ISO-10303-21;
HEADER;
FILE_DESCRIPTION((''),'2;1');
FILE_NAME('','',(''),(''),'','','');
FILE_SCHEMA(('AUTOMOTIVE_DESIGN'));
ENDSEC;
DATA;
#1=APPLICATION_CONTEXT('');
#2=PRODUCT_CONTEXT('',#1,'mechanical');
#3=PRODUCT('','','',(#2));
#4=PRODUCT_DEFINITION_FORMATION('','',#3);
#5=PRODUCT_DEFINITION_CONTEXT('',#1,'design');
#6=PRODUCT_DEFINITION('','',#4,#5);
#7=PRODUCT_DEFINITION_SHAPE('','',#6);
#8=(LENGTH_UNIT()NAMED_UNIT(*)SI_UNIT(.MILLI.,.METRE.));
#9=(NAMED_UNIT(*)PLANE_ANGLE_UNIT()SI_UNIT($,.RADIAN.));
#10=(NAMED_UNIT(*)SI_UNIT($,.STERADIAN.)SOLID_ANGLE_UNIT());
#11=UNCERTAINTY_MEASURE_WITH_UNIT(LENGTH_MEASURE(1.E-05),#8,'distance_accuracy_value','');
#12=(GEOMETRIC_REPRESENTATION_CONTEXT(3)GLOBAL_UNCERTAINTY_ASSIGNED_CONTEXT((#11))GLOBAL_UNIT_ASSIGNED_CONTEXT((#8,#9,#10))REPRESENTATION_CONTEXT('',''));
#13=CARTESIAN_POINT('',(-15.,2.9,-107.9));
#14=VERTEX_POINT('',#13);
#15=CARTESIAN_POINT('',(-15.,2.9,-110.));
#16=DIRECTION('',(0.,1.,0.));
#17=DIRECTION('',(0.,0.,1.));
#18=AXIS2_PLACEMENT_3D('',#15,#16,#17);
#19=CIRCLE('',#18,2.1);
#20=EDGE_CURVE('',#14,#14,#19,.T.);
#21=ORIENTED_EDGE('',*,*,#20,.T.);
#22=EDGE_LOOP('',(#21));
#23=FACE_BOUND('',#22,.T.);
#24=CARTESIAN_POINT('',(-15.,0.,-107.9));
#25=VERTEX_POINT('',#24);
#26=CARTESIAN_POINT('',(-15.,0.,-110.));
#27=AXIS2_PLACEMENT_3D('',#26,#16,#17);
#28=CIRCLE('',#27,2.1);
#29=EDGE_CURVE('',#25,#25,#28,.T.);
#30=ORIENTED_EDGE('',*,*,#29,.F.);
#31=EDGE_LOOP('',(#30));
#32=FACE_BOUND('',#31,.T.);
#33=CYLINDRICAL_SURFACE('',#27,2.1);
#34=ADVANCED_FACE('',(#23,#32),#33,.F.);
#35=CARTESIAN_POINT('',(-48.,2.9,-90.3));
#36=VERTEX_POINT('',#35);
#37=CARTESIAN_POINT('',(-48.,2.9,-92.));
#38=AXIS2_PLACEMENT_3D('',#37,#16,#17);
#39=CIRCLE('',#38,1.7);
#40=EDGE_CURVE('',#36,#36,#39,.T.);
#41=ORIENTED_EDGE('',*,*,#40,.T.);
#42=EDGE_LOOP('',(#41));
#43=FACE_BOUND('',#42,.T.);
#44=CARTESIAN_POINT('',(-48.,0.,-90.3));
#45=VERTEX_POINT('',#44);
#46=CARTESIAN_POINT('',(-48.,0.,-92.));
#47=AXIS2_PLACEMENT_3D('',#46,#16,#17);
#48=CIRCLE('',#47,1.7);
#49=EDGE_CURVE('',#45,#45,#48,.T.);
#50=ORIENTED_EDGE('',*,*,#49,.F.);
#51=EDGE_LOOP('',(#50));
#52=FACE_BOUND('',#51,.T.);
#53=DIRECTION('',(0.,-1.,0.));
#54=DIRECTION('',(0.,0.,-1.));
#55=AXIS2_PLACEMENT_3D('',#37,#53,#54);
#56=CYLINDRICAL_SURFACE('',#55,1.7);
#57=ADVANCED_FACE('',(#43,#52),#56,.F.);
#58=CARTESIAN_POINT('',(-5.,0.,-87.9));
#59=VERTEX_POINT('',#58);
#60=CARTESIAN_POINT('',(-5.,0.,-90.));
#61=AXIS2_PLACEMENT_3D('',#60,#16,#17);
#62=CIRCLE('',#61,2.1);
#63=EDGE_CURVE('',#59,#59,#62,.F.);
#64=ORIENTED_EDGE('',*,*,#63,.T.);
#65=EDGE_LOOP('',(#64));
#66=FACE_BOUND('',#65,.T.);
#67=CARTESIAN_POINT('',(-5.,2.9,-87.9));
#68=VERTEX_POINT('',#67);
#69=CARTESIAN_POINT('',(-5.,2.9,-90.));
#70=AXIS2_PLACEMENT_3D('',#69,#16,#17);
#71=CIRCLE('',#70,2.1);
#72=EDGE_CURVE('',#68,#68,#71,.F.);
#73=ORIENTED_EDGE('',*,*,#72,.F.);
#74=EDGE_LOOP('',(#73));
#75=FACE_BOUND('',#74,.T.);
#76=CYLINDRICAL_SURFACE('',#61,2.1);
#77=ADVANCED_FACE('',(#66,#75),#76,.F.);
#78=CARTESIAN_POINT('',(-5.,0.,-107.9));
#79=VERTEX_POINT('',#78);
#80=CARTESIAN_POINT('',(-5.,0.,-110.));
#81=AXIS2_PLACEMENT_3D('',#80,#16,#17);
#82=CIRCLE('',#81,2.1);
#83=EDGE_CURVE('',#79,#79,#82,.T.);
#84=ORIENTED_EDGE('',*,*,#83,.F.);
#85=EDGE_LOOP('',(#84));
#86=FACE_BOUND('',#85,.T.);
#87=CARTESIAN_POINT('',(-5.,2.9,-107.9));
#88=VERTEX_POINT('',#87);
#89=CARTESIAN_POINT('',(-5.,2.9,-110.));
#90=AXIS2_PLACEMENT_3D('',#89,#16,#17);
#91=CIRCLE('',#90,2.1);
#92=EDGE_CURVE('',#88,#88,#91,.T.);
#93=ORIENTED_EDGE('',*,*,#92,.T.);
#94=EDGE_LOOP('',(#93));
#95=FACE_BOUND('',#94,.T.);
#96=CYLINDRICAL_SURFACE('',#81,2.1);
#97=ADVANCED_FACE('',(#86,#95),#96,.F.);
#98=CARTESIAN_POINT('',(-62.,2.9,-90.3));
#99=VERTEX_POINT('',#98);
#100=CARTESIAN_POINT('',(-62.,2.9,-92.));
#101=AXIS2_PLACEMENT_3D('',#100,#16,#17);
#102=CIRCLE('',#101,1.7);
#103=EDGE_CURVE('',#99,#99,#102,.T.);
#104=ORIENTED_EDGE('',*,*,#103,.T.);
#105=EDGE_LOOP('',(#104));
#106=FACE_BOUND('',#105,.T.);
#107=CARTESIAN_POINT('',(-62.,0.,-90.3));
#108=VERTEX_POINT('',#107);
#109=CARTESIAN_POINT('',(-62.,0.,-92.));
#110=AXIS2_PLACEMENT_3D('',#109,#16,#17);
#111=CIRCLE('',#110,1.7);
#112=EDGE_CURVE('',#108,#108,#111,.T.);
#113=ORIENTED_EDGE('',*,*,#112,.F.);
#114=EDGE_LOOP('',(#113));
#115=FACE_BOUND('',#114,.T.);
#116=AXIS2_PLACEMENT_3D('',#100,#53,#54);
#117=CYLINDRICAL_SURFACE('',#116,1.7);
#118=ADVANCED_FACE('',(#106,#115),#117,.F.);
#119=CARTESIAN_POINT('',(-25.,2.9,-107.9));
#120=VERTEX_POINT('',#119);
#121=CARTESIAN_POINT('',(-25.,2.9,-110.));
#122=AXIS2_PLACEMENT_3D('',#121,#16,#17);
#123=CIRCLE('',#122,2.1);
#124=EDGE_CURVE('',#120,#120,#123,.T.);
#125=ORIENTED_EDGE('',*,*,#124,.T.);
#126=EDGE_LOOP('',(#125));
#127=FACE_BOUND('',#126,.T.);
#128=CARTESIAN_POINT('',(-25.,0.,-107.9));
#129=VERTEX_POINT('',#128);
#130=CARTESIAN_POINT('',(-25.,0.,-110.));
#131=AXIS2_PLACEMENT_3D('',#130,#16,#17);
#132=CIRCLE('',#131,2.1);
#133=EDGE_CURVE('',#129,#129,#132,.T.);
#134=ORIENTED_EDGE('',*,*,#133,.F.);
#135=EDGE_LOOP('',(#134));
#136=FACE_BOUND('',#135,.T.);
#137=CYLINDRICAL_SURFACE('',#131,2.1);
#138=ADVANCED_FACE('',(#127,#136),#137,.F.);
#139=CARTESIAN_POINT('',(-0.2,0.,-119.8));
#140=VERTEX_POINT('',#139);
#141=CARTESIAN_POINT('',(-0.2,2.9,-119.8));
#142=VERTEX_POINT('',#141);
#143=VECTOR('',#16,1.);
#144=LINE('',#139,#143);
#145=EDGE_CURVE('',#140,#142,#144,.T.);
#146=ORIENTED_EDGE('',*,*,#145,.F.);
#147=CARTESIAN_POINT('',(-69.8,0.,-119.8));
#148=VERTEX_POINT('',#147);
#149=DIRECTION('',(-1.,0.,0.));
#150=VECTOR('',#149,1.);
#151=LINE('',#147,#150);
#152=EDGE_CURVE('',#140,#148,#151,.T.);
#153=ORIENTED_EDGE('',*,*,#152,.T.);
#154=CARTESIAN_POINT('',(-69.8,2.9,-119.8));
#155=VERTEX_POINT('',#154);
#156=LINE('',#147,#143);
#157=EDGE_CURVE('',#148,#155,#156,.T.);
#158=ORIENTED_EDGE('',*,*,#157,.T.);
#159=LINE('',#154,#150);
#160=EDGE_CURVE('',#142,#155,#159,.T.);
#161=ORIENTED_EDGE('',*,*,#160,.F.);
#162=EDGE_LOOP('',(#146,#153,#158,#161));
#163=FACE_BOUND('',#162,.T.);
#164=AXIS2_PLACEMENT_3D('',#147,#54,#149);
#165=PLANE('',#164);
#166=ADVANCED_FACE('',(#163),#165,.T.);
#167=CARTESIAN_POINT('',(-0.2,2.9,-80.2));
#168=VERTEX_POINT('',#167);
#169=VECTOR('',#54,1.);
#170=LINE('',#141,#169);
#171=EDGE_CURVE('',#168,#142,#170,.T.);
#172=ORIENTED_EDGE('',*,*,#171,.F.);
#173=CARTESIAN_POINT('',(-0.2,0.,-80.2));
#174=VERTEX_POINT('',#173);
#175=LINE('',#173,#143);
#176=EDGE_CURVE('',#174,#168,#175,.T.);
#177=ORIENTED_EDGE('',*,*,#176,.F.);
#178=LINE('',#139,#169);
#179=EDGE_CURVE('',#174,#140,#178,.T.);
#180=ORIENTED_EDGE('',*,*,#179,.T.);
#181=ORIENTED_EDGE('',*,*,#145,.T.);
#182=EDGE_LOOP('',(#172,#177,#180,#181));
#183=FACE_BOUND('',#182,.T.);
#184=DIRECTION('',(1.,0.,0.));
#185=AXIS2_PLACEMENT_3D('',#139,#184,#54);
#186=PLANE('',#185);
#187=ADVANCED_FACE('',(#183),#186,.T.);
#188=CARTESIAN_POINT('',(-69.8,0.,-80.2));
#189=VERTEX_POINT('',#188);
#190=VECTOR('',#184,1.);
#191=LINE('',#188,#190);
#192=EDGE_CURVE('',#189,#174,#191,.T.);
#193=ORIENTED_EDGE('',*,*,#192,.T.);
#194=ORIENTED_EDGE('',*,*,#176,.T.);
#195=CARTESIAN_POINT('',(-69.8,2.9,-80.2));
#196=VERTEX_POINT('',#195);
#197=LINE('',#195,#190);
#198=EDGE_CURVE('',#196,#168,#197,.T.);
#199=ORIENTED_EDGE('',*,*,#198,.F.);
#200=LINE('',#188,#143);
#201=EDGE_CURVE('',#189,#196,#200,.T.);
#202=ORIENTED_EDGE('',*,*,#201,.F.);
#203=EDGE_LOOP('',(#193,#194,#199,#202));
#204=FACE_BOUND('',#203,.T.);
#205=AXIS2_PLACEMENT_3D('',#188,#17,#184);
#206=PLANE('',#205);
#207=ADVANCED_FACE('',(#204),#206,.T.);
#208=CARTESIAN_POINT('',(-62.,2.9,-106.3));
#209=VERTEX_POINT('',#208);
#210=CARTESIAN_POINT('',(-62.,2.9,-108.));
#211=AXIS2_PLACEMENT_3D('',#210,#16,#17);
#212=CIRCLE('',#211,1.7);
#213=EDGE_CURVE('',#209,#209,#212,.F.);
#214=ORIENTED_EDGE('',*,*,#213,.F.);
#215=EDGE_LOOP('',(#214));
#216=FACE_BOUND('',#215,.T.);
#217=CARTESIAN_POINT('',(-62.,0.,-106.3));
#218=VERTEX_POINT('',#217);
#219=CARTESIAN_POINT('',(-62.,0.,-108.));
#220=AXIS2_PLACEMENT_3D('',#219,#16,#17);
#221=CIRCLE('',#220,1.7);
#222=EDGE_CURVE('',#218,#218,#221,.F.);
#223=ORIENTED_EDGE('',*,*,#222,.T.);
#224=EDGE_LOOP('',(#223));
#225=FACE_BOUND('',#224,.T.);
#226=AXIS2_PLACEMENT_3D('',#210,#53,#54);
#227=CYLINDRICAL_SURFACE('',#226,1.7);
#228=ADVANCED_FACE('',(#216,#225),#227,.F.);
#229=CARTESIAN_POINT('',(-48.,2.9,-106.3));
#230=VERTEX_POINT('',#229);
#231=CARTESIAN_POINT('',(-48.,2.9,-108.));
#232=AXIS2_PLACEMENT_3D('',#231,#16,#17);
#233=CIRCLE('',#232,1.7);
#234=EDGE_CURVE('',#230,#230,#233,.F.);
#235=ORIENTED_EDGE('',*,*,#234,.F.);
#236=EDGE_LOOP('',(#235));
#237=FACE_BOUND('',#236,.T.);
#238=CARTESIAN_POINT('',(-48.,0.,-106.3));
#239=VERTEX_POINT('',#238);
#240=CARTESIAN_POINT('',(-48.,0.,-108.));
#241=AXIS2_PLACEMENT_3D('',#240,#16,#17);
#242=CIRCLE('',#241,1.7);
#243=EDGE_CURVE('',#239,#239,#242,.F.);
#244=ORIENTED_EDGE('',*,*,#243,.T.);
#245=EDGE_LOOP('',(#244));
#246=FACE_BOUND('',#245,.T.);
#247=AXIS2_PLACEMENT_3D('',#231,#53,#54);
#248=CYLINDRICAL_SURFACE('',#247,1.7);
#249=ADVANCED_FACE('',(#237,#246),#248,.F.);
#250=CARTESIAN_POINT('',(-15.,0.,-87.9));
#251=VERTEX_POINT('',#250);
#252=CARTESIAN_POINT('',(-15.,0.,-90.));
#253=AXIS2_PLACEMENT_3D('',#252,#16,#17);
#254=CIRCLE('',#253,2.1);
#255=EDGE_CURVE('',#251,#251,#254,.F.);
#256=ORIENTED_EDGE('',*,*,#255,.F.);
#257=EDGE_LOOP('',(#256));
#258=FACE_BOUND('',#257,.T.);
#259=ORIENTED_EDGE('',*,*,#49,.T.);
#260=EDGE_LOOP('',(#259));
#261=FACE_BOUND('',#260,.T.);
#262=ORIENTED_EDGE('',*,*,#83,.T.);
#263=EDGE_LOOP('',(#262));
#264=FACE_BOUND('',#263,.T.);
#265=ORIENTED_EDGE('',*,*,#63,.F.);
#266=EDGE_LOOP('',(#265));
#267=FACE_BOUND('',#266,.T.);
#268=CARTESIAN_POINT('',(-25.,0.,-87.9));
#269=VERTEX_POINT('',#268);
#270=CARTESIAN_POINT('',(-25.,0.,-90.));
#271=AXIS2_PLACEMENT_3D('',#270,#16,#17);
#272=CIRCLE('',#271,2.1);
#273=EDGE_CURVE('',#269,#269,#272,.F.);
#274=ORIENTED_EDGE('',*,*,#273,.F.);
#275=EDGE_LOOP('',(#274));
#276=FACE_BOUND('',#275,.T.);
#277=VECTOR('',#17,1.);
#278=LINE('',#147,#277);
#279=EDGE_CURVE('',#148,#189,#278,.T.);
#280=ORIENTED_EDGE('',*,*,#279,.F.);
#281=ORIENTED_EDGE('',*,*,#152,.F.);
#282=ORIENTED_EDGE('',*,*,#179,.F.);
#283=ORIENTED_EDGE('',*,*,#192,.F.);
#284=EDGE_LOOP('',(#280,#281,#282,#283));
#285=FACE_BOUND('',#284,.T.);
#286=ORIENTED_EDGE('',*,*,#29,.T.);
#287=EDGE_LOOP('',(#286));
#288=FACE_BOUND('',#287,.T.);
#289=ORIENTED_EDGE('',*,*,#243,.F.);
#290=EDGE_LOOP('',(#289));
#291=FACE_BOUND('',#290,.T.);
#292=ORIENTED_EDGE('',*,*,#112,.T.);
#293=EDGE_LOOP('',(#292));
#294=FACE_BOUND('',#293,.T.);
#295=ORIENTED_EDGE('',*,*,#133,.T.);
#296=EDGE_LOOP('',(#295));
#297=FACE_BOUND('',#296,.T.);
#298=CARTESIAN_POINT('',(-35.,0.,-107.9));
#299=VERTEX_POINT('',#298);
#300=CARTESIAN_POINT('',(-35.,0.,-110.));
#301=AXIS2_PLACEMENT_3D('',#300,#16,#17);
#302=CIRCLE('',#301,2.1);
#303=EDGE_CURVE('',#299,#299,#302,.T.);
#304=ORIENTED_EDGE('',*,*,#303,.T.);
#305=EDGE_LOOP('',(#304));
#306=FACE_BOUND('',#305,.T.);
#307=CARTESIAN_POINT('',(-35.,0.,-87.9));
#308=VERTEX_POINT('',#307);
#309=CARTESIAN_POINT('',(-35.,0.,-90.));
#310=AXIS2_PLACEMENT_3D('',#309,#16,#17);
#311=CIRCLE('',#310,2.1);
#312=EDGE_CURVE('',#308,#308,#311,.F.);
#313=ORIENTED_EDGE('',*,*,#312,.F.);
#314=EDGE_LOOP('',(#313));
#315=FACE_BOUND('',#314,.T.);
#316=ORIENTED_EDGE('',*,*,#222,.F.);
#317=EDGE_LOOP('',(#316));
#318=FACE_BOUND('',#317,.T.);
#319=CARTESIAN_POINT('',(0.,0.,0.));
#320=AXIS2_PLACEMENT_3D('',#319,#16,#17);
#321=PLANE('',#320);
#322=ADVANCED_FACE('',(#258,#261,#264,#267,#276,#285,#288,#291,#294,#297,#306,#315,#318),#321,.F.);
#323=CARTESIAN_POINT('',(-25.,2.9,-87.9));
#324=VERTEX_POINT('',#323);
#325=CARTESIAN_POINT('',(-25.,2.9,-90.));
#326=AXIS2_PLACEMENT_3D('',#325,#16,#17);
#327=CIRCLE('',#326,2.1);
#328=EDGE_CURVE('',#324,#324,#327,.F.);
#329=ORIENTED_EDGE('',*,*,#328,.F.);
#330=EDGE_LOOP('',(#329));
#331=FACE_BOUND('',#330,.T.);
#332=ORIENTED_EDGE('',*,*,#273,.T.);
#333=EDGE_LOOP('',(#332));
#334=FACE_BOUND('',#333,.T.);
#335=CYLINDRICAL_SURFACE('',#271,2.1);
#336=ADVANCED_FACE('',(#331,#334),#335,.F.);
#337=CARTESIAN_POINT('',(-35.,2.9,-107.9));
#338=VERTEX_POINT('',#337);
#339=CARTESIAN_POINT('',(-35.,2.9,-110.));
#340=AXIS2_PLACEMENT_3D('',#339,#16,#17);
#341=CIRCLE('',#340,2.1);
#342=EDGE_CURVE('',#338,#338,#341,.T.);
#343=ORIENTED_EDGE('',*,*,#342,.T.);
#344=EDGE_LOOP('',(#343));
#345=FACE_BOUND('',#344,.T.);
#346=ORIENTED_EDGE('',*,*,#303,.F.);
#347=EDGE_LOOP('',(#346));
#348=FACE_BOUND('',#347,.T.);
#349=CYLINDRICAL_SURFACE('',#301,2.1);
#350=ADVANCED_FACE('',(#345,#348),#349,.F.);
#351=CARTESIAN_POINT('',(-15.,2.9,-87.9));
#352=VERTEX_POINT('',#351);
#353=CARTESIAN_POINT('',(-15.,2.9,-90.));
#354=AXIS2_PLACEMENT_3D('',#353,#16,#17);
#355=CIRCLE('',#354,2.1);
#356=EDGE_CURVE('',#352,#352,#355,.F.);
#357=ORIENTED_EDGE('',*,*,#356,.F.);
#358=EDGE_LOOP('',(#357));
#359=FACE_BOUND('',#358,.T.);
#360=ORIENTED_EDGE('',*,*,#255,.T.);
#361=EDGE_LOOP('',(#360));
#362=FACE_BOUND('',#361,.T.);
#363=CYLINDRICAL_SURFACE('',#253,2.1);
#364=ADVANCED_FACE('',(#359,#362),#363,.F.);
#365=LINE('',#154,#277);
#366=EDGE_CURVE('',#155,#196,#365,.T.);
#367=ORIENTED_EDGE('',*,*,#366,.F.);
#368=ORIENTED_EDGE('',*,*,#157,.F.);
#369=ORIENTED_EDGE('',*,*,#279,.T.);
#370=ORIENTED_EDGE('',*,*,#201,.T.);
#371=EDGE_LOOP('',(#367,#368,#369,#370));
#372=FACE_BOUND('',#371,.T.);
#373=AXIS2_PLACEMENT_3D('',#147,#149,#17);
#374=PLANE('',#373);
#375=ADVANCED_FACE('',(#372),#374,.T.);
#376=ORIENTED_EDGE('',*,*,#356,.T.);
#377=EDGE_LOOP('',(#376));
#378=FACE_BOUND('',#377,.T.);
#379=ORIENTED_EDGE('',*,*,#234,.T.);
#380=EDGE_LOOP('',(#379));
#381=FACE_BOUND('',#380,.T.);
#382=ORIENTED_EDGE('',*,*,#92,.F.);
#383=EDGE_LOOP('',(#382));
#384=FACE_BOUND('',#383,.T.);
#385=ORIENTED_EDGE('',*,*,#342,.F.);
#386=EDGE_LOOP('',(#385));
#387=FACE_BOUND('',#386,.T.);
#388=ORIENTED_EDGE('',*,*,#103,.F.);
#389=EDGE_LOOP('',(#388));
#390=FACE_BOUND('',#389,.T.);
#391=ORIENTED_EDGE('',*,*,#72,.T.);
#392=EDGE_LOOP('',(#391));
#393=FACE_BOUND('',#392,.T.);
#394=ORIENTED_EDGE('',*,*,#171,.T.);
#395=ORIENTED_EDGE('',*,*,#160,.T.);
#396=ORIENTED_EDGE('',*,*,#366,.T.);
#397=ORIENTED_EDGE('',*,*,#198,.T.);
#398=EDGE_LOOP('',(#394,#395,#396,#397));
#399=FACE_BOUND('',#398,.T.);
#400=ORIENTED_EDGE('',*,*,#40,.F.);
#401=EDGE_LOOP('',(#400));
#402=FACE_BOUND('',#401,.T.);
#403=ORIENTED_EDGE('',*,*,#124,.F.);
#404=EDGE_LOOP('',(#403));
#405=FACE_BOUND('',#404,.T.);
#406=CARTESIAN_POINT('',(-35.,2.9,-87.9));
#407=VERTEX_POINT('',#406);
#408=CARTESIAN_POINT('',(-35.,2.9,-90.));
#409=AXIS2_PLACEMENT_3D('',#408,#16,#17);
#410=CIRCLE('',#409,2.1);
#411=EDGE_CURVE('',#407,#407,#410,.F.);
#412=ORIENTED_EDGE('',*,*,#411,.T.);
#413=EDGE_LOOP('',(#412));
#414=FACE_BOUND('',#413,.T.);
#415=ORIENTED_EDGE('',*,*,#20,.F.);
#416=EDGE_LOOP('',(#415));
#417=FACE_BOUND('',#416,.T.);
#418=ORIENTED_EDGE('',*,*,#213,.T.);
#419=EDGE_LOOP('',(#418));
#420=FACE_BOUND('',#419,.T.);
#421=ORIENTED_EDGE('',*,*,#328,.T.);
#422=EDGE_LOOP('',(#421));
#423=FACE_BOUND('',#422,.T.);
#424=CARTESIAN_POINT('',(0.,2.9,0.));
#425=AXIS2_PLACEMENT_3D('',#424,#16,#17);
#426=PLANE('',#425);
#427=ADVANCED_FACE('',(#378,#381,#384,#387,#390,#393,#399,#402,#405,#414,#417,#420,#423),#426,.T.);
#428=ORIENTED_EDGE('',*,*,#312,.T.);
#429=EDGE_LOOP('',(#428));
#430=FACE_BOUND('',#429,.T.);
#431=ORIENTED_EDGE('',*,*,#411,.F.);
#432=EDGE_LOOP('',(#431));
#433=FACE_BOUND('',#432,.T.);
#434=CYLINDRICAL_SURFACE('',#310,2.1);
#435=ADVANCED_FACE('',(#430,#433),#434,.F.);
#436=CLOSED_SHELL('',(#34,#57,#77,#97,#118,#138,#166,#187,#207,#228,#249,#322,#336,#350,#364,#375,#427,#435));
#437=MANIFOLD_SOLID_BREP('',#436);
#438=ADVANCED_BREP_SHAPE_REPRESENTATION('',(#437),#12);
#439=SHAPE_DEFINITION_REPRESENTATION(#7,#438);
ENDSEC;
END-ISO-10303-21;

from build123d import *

# Parameters (mm, degrees)
SKETCH_1_R          = 1.7
SKETCH_1_W          = 5
SKETCH_1_H          = 13
SKETCH_1_H_2        = 2
EXTRUDE_3_DEPTH     = 2.9
SKETCH_3_R          = 2.1
CUT_EXTRUDE_3_DEPTH = 2.9
SKETCH_4_W          = 20
SKETCH_4_H          = 40
SKETCH_4_R          = 2.1
EXTRUDE_4_DEPTH     = 2.9
SKETCH_5_W          = 70
SKETCH_5_H          = 40
SKETCH_5_W_2        = 69.6
SKETCH_5_H_2        = 39.6
CUT_EXTRUDE_4_DEPTH = 2.9


with BuildPart() as part:
    # 草图1 → 凸台-拉伸3 (new body)
    # profile 1 of 10: a face of its own
    with BuildSketch(Plane(origin=(0, 0, 0), x_dir=(1, 0, 0), z_dir=(0, 1, 0))):
        with BuildLine():
            Line((-40, 113), (-70, 113))
            Line((-70, 113), (-70, 108))
            Line((-70, 108), (-70, 92))
            Line((-70, 92), (-63.7, 92))
            ThreePointArc((-63.7, 92), (-62, 93.7), (-60.3, 92))
            ThreePointArc((-60.3, 92), (-60.797918472, 90.797918472), (-62, 90.3))
            Line((-62, 90.3), (-62, 87))
            Line((-62, 87), (-48, 87))
            Line((-48, 87), (-48, 90.3))
            ThreePointArc((-48, 90.3), (-49.202081528, 93.202081528), (-46.3, 92))
            Line((-46.3, 92), (-40, 92))
            Line((-40, 92), (-40, 113))
        make_face()
        with Locations(Location((-62, 108, 0), (0, 0, 270))):
            Circle(SKETCH_1_R, mode=Mode.SUBTRACT)
        with Locations(Location((-48, 108, 0), (0, 0, 270))):
            Circle(SKETCH_1_R, mode=Mode.SUBTRACT)
    # profile 2 of 10: a face of its own
    with BuildSketch(Plane(origin=(0, 0, 0), x_dir=(1, 0, 0), z_dir=(0, 1, 0))):
        with BuildLine():
            Line((-70, 92), (-70, 87))
            Line((-70, 87), (-62, 87))
            Line((-62, 87), (-62, 90.3))
            ThreePointArc((-62, 90.3), (-63.202081528, 90.797918472), (-63.7, 92))
            Line((-63.7, 92), (-70, 92))
        make_face()
    # profile 3 of 10: a face of its own
    with BuildSketch(Plane(origin=(0, 0, 0), x_dir=(1, 0, 0), z_dir=(0, 1, 0))):
        with BuildLine():
            Line((-48, 90.3), (-48, 87))
            Line((-48, 87), (-40, 87))
            Line((-40, 87), (-40, 92))
            Line((-40, 92), (-46.3, 92))
            ThreePointArc((-46.3, 92), (-46.797918472, 90.797918472), (-48, 90.3))
        make_face()
    # profile 4 of 10: a face of its own
    with BuildSketch(Plane(origin=(0, 0, 0), x_dir=(1, 0, 0), z_dir=(0, 1, 0))):
        Polygon((-70, 87), (-70, 80), (-20, 80), (-20, 85), (-25, 85), (-25, 87), (-40, 87), (-48, 87), (-62, 87), align=None)
    # profile 5 of 10: a face of its own
    with BuildSketch(Plane(origin=(0, 0, 0), x_dir=(1, 0, 0), z_dir=(0, 1, 0))):
        Polygon((-25, 113), (-40, 113), (-40, 92), (-40, 87), (-25, 87), (-25, 100), align=None)
    # profile 6 of 10: a face of its own
    with BuildSketch(Plane(origin=(0, 0, 0), x_dir=(1, 0, 0), z_dir=(0, 1, 0))):
        with Locations((-22.5, 93.5)):
            Rectangle(SKETCH_1_W, SKETCH_1_H)
    # profile 7 of 10: a face of its own
    with BuildSketch(Plane(origin=(0, 0, 0), x_dir=(1, 0, 0), z_dir=(0, 1, 0))):
        with Locations((-22.5, 106.5)):
            Rectangle(SKETCH_1_W, SKETCH_1_H)
    # profile 8 of 10: a face of its own
    with BuildSketch(Plane(origin=(0, 0, 0), x_dir=(1, 0, 0), z_dir=(0, 1, 0))):
        with Locations((-22.5, 86)):
            Rectangle(SKETCH_1_W, SKETCH_1_H_2)
    # profile 9 of 10: a face of its own
    with BuildSketch(Plane(origin=(0, 0, 0), x_dir=(1, 0, 0), z_dir=(0, 1, 0))):
        Polygon((-20, 120), (-70, 120), (-70, 113), (-40, 113), (-25, 113), (-25, 115), (-20, 115), align=None)
    # profile 10 of 10: a face of its own
    with BuildSketch(Plane(origin=(0, 0, 0), x_dir=(1, 0, 0), z_dir=(0, 1, 0))):
        with Locations((-22.5, 114)):
            Rectangle(SKETCH_1_W, SKETCH_1_H_2)
    extrude(amount=EXTRUDE_3_DEPTH)

    # 草图3 → 切除-拉伸3 (cut)
    with BuildSketch(Plane(origin=(0, 2.9, 0), x_dir=(1, 0, 0), z_dir=(0, 1, 0))):
        with Locations(Location((-25, 110, 0), (0, 0, 270))):
            Circle(SKETCH_3_R)
        with Locations(Location((-25, 90, 0), (0, 0, 270))):
            Circle(SKETCH_3_R)
        with Locations(Location((-35, 90, 0), (0, 0, 270))):
            Circle(SKETCH_3_R)
        with Locations(Location((-35, 110, 0), (0, 0, 270))):
            Circle(SKETCH_3_R)
    extrude(amount=-CUT_EXTRUDE_3_DEPTH, mode=Mode.SUBTRACT)

    # 草图4 → 凸台-拉伸4 (add)
    with BuildSketch(Plane(origin=(0, 2.9, 0), x_dir=(1, 0, 0), z_dir=(0, 1, 0))):
        with Locations((-10, 100)):
            Rectangle(SKETCH_4_W, SKETCH_4_H)
        with Locations(Location((-15, 110, 0), (0, 0, 270))):
            Circle(SKETCH_4_R, mode=Mode.SUBTRACT)
        with Locations(Location((-15, 90, 0), (0, 0, 270))):
            Circle(SKETCH_4_R, mode=Mode.SUBTRACT)
        with Locations(Location((-5, 110, 0), (0, 0, 270))):
            Circle(SKETCH_4_R, mode=Mode.SUBTRACT)
        with Locations(Location((-5, 90, 0), (0, 0, 270))):
            Circle(SKETCH_4_R, mode=Mode.SUBTRACT)
    extrude(amount=-EXTRUDE_4_DEPTH)

    # 草图5 → 切除-拉伸4 (cut)
    with BuildSketch(Plane(origin=(0, 2.9, 0), x_dir=(1, 0, 0), z_dir=(0, 1, 0))):
        with Locations((-35, 100)):
            Rectangle(SKETCH_5_W, SKETCH_5_H)
        with Locations((-35, 100)):
            Rectangle(SKETCH_5_W_2, SKETCH_5_H_2, mode=Mode.SUBTRACT)
    extrude(amount=-CUT_EXTRUDE_4_DEPTH, mode=Mode.SUBTRACT)


solid = part.part
